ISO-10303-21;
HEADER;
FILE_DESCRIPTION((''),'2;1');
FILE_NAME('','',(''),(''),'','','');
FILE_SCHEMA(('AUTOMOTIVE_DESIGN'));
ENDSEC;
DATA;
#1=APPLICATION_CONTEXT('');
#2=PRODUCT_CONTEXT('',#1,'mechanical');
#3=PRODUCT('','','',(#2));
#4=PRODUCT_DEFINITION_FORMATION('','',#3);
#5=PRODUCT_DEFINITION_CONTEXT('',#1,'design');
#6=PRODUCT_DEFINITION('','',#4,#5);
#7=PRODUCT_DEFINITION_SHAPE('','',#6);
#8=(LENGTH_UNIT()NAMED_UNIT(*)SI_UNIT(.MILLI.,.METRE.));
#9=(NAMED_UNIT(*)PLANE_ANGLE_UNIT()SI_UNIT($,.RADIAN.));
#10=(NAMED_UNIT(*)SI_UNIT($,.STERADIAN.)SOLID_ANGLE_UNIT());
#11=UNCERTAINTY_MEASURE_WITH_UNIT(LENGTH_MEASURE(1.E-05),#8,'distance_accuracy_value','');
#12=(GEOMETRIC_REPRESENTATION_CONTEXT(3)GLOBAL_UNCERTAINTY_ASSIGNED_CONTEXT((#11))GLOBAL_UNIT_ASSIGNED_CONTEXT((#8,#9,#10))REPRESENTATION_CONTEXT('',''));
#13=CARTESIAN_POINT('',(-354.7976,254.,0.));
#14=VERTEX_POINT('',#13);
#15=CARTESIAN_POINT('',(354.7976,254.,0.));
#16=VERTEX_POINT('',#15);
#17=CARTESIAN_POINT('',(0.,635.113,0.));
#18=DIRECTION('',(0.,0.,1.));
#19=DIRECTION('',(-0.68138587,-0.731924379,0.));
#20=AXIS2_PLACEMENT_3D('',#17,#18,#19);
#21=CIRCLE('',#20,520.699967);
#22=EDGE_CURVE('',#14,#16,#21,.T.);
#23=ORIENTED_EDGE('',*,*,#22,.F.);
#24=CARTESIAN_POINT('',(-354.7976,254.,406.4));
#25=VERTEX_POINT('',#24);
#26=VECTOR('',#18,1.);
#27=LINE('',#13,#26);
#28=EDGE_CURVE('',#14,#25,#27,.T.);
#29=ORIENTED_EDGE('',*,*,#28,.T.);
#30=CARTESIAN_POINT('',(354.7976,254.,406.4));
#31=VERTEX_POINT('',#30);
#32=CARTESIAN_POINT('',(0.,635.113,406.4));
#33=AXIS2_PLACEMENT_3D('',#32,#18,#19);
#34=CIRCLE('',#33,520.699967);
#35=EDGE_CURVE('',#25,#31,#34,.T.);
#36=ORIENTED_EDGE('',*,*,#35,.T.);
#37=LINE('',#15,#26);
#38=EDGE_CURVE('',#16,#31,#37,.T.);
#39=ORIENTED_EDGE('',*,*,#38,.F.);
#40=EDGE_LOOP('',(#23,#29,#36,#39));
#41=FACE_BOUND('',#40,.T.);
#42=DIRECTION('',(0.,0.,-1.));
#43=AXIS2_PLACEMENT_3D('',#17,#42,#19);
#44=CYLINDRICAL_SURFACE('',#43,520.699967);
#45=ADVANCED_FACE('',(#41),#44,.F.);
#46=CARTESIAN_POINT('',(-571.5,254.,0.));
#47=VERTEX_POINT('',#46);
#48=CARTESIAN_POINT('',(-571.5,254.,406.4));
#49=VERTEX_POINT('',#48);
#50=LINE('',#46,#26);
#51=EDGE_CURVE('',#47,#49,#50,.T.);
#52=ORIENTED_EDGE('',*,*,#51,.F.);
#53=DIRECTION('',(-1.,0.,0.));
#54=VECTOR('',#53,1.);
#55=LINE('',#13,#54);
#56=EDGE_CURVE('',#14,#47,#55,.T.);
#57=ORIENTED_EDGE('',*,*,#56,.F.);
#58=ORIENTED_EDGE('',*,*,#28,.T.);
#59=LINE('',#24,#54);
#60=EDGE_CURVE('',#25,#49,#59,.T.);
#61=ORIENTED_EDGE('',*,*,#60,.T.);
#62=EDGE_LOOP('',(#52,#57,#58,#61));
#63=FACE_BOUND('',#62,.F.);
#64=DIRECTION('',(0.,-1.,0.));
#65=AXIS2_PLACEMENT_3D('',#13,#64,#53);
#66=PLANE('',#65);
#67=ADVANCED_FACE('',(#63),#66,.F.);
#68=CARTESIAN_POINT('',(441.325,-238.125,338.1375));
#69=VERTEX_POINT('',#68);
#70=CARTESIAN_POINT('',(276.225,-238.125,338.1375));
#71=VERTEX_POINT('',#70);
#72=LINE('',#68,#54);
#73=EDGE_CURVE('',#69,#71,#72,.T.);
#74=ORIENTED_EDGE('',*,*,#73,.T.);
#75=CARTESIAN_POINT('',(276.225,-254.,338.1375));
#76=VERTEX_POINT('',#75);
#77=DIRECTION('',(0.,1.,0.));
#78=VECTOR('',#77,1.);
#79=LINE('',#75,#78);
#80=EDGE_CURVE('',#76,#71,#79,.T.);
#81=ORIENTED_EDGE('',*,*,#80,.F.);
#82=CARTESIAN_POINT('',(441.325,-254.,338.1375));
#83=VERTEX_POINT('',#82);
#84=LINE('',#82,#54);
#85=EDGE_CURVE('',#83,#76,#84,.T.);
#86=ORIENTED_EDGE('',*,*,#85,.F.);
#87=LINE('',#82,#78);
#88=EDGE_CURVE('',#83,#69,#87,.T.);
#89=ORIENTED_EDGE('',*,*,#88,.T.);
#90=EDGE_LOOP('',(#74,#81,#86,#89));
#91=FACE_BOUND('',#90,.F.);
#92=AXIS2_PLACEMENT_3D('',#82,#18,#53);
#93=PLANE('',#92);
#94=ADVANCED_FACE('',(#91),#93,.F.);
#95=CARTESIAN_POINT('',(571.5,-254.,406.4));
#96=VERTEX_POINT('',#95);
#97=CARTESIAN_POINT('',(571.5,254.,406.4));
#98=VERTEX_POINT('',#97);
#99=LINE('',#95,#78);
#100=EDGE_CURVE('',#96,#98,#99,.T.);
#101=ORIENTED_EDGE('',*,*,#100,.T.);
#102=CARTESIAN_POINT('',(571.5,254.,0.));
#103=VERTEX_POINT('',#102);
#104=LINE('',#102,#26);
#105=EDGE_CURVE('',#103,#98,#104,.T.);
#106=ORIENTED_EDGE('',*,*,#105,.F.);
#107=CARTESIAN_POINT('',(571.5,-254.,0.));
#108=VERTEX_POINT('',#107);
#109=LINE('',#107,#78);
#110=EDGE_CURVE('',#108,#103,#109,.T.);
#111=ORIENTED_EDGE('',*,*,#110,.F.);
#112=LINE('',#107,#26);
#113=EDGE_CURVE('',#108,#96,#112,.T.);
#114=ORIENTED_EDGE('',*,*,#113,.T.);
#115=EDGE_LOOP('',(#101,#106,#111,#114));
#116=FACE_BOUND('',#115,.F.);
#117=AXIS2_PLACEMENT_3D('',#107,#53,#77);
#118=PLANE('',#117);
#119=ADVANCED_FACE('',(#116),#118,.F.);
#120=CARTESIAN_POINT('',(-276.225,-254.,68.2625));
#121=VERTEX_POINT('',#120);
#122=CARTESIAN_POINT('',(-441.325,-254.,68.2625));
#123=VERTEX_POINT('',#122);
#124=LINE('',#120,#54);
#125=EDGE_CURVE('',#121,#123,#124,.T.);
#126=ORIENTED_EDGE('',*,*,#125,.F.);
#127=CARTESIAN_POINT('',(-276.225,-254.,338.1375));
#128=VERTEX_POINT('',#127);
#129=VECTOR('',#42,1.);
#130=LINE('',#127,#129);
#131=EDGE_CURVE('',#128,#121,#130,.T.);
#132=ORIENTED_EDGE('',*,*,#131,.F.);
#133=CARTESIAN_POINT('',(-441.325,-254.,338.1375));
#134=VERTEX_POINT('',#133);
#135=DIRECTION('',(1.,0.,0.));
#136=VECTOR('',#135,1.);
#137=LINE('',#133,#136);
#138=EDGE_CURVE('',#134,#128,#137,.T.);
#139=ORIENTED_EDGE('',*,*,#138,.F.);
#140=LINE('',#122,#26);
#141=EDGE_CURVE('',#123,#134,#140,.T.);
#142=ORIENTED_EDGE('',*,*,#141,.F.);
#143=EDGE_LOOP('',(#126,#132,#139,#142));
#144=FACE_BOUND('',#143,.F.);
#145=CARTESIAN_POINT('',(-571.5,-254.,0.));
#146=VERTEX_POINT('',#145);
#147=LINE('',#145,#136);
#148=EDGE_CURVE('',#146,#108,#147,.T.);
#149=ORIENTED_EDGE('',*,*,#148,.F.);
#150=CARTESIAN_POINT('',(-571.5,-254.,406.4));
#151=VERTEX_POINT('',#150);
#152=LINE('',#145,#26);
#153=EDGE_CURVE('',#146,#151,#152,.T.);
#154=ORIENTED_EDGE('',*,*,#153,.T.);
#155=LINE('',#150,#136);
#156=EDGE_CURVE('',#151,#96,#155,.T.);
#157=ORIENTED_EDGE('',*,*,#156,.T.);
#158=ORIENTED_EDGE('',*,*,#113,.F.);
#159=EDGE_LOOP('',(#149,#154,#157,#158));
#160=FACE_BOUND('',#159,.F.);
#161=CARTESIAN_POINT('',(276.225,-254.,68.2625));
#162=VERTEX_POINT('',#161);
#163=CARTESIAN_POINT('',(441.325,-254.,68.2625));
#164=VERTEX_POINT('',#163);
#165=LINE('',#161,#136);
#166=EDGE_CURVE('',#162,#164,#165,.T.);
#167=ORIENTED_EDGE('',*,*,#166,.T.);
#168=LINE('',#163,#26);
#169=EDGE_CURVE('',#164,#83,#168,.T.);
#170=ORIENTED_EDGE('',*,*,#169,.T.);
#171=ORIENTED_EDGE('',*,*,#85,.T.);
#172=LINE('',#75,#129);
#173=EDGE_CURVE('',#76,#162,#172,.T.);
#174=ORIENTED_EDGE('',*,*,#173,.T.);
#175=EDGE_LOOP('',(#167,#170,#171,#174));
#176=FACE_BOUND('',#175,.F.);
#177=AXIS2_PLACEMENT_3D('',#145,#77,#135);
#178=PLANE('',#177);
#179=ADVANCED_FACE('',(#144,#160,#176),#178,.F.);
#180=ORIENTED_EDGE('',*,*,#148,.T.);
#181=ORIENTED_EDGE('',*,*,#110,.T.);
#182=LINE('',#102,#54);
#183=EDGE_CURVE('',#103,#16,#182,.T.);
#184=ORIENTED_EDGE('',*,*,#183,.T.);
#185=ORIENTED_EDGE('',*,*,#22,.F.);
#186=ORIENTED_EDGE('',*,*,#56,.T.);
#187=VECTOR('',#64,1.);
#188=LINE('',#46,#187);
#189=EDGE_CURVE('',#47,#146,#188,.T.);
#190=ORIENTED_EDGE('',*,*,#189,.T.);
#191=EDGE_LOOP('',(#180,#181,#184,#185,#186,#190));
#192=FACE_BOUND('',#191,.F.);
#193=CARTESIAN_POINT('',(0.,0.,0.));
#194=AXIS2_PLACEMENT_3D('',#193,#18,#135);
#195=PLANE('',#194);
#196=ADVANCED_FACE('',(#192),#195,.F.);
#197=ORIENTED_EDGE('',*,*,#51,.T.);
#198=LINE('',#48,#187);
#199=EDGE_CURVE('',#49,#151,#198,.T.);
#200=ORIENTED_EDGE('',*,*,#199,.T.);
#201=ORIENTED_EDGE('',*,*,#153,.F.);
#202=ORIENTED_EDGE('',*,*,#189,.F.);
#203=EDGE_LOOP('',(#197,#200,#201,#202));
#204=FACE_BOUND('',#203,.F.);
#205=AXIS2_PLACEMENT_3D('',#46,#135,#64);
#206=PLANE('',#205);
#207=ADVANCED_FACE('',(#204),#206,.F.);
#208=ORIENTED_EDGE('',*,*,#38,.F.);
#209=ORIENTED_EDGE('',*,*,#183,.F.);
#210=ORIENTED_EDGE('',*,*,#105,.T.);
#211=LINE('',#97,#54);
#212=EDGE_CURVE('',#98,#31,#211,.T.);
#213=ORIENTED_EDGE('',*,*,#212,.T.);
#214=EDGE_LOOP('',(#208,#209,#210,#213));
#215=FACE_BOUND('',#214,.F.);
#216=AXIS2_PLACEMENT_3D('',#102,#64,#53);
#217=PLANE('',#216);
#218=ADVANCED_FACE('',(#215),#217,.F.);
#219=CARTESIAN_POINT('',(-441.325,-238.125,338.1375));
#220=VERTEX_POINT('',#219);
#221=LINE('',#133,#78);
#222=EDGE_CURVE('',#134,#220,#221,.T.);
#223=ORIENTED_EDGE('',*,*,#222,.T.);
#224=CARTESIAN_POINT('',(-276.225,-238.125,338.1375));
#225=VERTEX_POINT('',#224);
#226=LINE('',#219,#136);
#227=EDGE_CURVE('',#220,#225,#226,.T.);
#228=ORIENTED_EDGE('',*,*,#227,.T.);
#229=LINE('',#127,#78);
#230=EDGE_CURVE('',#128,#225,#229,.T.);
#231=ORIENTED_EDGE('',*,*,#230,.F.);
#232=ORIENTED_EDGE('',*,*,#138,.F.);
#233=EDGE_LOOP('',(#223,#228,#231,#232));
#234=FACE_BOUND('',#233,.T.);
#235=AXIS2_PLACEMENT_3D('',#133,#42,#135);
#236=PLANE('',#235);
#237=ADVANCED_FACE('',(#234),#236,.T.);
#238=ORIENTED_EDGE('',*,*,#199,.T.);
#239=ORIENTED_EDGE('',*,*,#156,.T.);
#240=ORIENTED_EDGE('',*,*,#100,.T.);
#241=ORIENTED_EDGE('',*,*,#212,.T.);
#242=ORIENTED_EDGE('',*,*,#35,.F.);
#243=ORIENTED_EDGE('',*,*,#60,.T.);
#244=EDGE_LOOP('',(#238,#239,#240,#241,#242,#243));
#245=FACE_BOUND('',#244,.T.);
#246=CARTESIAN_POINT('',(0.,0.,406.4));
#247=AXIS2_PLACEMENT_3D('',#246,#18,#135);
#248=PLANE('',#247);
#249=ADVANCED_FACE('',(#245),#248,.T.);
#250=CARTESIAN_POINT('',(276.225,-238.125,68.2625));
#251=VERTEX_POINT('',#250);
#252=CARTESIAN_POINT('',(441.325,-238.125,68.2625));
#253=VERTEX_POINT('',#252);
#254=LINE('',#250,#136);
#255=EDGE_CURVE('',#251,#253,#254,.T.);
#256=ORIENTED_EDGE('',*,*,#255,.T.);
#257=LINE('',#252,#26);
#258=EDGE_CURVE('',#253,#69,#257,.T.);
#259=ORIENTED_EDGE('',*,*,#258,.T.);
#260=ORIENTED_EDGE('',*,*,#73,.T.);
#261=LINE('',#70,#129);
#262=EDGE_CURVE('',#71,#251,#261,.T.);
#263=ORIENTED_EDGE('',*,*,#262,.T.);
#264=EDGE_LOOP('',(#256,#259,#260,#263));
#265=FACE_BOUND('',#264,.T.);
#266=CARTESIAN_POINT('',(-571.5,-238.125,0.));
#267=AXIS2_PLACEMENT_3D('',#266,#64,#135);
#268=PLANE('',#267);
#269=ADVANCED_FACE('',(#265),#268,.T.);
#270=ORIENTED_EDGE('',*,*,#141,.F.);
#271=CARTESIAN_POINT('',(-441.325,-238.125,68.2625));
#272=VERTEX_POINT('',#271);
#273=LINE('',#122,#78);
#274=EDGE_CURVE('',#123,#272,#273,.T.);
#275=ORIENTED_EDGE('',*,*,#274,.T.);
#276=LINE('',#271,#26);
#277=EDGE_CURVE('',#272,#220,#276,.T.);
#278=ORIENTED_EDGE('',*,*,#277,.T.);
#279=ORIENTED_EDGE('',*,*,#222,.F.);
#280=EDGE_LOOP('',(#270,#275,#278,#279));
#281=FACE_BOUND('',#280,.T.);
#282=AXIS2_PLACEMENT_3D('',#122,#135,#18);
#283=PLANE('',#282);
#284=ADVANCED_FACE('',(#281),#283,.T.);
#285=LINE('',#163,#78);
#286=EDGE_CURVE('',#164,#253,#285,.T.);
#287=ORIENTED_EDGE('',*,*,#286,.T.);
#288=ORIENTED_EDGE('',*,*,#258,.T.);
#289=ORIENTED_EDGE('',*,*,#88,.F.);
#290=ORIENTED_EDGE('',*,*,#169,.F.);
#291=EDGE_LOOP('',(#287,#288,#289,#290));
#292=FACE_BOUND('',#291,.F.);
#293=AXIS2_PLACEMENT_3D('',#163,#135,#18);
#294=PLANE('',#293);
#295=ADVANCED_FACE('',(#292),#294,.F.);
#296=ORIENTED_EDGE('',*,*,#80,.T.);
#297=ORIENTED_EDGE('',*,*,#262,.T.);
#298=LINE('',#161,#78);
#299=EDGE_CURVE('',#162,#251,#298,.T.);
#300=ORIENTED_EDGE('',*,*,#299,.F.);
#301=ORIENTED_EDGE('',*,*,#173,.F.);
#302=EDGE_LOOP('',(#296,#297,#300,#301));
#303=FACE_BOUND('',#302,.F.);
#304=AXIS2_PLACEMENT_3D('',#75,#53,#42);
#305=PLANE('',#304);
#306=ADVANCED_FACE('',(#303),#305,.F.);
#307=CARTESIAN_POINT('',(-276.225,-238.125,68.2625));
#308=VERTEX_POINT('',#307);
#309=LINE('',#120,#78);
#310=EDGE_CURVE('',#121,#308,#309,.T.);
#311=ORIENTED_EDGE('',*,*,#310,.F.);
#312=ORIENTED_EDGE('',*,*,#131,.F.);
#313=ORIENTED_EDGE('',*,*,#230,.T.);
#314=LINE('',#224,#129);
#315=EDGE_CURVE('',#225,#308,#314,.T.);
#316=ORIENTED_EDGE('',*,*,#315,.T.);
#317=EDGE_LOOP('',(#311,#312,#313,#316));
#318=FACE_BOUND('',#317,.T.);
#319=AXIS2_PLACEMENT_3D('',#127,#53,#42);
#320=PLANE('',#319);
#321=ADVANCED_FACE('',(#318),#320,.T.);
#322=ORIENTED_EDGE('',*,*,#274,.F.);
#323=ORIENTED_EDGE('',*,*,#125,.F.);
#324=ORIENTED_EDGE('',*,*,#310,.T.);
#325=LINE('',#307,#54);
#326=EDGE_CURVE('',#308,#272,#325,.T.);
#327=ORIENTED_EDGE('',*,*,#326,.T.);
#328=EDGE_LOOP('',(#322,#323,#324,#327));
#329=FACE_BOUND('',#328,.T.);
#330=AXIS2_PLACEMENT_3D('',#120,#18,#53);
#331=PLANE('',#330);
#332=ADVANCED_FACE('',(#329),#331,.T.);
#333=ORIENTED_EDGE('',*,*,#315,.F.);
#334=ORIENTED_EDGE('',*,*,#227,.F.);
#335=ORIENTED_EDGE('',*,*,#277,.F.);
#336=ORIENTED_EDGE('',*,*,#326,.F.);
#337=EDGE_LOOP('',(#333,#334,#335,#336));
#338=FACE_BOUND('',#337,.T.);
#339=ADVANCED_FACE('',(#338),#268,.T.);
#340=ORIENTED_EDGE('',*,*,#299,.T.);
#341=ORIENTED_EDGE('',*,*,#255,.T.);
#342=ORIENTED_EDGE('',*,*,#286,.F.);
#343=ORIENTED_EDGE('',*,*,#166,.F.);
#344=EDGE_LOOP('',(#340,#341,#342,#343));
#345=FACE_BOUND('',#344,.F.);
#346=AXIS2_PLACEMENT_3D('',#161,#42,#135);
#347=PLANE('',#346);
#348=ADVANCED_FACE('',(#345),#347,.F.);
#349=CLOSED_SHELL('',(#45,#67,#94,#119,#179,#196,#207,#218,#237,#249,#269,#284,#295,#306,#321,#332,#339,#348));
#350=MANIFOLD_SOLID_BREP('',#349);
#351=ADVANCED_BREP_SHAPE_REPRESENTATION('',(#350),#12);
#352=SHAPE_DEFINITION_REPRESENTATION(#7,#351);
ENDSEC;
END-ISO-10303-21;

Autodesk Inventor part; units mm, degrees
ref_plane "YZ Plane" through (0, 0, 0) normal (1, 0, 0) x (0, 1, 0)
ref_plane "XZ Plane" through (0, 0, 0) normal (0, 1, 0) x (-1, 0, 0)
ref_plane "XY Plane" through (0, 0, 0) normal (0, 0, 1) x (1, 0, 0)
sketch "Sketch1" plane through (0, 0, 0) normal (0, 0, 1) x (1, 0, 0)
  line L0 (-571.5, -254) -> (571.5, -254)
  line L1 (571.5, -254) -> (571.5, 254)
  line L2 (-571.5, 254) -> (-571.5, -254)
  line L3 (-571.5, -254) -> (571.5, 254) construction
  line L4 (571.5, -254) -> (-571.5, 254) construction
  arc A0 (-354.7976, 254) -> (354.7976, 254) centre (0, 635.113) ccw
  line L5 (571.5, 254) -> (354.7976, 254)
  line L6 (-354.7976, 254) -> (-571.5, 254)
  point P0 (0, 0)
  dimension "d0" = 1143
  dimension "d1" = 508
  dimension "d4" = 1041.4
extrude "Extrusion1" add sketch "Sketch1" along normal blind 406.4
sketch "Sketch4" plane through (-571.5, -254, 0) normal (0, -1, 0) x (1, 0, 0)
  line L0 (0, 406.4) -> (1143, 406.4) projected
  line L1 (571.5, 406.4) -> (571.5, 0)
  line L2 (311.1582, 406.4) -> (311.1582, 0)
  line L3 (0, 0) -> (1143, 0) projected
  line L4 (0, 0) -> (0, 406.4) projected
  line L5 (295.275, 68.2625) -> (130.175, 68.2625)
  line L6 (130.175, 68.2625) -> (130.175, 338.1375)
  line L7 (130.175, 338.1375) -> (295.275, 338.1375)
  line L8 (295.275, 338.1375) -> (295.275, 68.2625)
  line L9 (847.725, 68.2625) -> (1012.825, 68.2625)
  line L10 (1012.825, 68.2625) -> (1012.825, 338.1375)
  line L11 (1012.825, 338.1375) -> (847.725, 338.1375)
  line L12 (847.725, 338.1375) -> (847.725, 68.2625)
  dimension "d13" = 311.1582
  dimension "d14" = 165.1
  dimension "d15" = 269.875
  dimension "d16" = 68.2625
extrude "Extrusion3" cut sketch "Sketch4" against normal blind 15.875 contours L5 L6 L7 L8 | L12 L11 L10 L9
properties part number "seat"
